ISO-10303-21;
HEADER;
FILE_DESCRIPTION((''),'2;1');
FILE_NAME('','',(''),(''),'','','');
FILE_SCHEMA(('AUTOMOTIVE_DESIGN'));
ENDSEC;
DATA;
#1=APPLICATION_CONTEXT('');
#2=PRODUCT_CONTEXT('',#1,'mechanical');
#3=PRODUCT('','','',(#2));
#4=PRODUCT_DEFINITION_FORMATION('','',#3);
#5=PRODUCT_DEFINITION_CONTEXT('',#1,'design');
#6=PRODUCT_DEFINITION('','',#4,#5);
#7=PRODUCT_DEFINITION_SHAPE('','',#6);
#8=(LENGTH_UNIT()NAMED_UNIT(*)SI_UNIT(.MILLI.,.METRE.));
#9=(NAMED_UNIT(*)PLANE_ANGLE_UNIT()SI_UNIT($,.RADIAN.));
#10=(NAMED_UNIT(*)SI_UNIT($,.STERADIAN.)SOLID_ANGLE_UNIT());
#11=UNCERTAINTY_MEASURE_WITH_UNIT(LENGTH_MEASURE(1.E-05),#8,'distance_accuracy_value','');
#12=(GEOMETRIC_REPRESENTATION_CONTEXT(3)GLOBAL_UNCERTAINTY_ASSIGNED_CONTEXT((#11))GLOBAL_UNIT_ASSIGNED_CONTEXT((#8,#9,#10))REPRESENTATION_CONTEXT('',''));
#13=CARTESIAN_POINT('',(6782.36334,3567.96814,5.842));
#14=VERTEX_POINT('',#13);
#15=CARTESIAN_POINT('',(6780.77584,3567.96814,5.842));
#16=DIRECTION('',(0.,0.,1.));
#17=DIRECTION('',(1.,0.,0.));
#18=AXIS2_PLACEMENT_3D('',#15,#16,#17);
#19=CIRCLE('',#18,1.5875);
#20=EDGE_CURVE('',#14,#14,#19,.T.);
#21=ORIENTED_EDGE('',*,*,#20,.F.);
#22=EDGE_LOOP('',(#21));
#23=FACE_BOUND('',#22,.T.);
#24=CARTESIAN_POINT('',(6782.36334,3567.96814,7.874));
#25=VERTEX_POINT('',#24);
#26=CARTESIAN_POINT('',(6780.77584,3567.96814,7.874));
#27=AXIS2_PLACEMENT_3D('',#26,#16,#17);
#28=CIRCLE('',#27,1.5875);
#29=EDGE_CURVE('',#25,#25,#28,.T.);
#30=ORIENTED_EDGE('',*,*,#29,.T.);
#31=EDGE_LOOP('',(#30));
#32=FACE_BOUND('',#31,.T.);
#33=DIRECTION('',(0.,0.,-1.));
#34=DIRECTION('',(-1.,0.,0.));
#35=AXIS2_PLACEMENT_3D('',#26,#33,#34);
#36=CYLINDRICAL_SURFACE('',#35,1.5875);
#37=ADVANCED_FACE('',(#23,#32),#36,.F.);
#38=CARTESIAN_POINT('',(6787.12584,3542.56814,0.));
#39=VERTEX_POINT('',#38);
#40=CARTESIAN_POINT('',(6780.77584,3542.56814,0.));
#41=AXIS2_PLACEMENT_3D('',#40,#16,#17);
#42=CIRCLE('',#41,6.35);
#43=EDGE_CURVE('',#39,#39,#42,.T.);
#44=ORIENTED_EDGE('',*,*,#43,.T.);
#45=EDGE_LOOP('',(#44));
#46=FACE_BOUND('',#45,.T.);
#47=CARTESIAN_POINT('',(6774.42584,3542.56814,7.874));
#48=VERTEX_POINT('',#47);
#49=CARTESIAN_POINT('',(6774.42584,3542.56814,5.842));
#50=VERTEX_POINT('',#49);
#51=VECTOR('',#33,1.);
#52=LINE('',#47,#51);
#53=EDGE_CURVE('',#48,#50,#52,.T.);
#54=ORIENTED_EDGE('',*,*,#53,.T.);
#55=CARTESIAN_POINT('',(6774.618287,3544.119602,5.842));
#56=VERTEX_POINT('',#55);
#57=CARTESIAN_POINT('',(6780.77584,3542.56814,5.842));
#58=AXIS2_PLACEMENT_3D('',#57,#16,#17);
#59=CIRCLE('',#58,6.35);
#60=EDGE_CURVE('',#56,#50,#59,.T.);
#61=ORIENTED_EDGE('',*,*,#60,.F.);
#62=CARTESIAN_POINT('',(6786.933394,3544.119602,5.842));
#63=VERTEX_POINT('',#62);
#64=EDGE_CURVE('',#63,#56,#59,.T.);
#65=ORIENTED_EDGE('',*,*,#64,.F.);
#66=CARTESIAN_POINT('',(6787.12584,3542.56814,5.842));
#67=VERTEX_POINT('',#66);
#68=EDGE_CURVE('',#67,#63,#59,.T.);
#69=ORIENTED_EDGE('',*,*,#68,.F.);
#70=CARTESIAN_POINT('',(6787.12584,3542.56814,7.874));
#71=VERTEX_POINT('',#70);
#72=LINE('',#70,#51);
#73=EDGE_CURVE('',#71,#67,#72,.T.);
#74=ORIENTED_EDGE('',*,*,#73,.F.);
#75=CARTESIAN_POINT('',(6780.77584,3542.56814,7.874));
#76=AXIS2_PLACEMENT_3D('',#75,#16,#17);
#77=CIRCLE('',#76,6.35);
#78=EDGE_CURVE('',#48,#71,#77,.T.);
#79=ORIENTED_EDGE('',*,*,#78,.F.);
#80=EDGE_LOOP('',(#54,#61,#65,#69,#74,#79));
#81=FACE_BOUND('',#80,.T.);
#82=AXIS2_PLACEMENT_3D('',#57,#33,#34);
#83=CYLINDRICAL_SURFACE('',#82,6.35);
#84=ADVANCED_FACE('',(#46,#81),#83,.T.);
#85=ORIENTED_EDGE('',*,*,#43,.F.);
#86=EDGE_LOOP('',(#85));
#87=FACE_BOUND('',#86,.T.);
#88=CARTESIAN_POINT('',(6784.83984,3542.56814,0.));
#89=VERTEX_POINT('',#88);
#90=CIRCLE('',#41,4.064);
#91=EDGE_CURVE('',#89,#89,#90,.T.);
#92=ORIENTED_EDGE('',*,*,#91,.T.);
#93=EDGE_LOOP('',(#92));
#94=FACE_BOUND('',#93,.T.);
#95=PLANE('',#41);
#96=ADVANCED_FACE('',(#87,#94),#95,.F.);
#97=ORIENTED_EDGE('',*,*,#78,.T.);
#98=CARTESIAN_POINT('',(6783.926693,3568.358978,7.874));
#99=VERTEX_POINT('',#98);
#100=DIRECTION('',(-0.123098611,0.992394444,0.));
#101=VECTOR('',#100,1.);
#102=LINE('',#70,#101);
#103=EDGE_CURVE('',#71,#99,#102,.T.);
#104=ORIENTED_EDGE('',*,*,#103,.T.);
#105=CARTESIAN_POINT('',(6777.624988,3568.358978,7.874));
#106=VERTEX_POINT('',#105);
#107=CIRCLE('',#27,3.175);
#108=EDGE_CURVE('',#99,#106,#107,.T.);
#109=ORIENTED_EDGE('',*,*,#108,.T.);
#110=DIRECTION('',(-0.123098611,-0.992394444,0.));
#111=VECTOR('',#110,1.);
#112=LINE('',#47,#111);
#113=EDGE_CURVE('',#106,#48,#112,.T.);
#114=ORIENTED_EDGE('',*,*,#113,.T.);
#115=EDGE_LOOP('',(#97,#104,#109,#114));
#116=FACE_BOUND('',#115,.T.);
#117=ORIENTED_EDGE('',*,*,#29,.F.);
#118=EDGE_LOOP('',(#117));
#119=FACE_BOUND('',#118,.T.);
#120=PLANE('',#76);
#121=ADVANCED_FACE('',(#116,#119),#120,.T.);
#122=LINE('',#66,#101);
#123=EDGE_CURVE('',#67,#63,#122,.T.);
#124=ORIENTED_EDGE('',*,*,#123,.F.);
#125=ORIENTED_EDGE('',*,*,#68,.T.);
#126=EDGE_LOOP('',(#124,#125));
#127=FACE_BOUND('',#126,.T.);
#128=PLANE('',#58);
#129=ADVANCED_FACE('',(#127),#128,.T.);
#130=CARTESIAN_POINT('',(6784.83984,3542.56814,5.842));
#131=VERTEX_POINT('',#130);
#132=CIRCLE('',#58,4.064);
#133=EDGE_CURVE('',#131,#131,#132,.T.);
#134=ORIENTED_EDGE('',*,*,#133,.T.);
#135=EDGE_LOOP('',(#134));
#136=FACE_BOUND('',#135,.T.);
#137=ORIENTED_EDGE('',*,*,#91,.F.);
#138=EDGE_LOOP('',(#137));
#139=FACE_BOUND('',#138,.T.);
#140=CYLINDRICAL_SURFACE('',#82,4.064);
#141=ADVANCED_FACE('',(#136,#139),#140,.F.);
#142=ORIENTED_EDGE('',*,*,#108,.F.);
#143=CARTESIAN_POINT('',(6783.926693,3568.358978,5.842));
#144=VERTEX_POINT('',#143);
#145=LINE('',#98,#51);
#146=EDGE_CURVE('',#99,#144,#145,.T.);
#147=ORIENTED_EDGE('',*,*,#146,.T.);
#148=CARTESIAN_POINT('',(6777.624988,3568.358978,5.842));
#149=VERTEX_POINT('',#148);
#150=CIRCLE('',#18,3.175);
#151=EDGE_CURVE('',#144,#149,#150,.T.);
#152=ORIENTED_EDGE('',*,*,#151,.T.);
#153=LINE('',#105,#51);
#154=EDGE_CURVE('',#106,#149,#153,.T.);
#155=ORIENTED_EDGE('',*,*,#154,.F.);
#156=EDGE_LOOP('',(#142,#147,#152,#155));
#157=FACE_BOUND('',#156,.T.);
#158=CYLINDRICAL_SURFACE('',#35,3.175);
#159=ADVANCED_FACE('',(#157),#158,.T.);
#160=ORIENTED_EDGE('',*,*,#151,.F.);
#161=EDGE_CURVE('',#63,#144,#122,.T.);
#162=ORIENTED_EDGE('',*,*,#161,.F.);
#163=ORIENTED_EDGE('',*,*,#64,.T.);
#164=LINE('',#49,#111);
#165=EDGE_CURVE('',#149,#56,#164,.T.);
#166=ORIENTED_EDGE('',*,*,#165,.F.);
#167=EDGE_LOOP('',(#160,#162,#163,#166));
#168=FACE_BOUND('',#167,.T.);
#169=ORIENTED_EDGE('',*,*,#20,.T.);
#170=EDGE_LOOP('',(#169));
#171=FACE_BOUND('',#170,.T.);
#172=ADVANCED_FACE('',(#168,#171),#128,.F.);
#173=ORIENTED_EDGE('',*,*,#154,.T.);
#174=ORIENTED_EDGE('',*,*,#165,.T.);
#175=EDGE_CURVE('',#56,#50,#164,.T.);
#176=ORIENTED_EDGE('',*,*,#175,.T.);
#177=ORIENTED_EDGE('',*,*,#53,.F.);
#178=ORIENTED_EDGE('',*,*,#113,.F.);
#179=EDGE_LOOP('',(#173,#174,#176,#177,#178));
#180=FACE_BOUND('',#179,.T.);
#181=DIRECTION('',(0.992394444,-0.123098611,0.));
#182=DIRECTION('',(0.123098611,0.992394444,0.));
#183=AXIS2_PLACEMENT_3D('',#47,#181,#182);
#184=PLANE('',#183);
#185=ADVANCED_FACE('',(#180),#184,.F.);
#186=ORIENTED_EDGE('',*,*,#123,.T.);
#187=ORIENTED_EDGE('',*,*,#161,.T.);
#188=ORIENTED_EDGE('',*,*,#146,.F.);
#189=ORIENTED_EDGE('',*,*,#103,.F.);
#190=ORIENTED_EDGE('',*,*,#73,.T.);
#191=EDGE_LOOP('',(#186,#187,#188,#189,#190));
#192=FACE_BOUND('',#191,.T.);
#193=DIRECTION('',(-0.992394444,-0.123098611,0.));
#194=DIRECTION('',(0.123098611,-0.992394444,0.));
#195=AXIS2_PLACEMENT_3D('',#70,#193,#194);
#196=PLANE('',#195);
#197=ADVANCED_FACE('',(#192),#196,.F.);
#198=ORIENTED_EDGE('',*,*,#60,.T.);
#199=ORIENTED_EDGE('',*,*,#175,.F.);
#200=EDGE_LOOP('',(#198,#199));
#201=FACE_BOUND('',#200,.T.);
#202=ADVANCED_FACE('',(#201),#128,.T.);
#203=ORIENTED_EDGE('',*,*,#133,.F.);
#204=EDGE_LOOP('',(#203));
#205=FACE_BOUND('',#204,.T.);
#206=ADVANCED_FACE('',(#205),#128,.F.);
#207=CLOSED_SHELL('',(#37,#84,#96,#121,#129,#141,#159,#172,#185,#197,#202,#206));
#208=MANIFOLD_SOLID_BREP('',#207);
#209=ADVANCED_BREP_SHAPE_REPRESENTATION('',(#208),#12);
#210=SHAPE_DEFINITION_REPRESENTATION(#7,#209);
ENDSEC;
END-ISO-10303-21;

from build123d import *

# Parameters (mm, degrees)
SKETCH1_R           = 6.35
SKETCH1_R_2         = 4.064
BOSS_EXTRUDE1_DEPTH = 5.842
SKETCH2_R           = 1.5875
BOSS_EXTRUDE2_DEPTH = 2.032


with BuildPart() as part:
    # Sketch1 → Boss-Extrude1 (new body)
    with BuildSketch(Plane.XY):
        with Locations((6780.775840345, 3542.568139787)):
            Circle(SKETCH1_R)
        with Locations((6780.775840345, 3542.568139787)):
            Circle(SKETCH1_R_2, mode=Mode.SUBTRACT)
    extrude(amount=BOSS_EXTRUDE1_DEPTH)

    # Sketch2 → Boss-Extrude2 (add)
    with BuildSketch(Plane.XY.offset(5.842)):
        with BuildLine():
            Line((6774.425840345, 3542.568139787), (6777.624987986, 3568.358977876))
            ThreePointArc((6777.624987986, 3568.358977876), (6780.775840345, 3571.143139787), (6783.926692704, 3568.358977876))
            Line((6783.926692704, 3568.358977876), (6787.125840345, 3542.568139787))
            ThreePointArc((6787.125840345, 3542.568139787), (6780.775840345, 3536.218139787), (6774.425840345, 3542.568139787))
        make_face()
        with Locations((6780.775840345, 3567.968139787)):
            Circle(SKETCH2_R, mode=Mode.SUBTRACT)
    extrude(amount=BOSS_EXTRUDE2_DEPTH)


solid = part.part
